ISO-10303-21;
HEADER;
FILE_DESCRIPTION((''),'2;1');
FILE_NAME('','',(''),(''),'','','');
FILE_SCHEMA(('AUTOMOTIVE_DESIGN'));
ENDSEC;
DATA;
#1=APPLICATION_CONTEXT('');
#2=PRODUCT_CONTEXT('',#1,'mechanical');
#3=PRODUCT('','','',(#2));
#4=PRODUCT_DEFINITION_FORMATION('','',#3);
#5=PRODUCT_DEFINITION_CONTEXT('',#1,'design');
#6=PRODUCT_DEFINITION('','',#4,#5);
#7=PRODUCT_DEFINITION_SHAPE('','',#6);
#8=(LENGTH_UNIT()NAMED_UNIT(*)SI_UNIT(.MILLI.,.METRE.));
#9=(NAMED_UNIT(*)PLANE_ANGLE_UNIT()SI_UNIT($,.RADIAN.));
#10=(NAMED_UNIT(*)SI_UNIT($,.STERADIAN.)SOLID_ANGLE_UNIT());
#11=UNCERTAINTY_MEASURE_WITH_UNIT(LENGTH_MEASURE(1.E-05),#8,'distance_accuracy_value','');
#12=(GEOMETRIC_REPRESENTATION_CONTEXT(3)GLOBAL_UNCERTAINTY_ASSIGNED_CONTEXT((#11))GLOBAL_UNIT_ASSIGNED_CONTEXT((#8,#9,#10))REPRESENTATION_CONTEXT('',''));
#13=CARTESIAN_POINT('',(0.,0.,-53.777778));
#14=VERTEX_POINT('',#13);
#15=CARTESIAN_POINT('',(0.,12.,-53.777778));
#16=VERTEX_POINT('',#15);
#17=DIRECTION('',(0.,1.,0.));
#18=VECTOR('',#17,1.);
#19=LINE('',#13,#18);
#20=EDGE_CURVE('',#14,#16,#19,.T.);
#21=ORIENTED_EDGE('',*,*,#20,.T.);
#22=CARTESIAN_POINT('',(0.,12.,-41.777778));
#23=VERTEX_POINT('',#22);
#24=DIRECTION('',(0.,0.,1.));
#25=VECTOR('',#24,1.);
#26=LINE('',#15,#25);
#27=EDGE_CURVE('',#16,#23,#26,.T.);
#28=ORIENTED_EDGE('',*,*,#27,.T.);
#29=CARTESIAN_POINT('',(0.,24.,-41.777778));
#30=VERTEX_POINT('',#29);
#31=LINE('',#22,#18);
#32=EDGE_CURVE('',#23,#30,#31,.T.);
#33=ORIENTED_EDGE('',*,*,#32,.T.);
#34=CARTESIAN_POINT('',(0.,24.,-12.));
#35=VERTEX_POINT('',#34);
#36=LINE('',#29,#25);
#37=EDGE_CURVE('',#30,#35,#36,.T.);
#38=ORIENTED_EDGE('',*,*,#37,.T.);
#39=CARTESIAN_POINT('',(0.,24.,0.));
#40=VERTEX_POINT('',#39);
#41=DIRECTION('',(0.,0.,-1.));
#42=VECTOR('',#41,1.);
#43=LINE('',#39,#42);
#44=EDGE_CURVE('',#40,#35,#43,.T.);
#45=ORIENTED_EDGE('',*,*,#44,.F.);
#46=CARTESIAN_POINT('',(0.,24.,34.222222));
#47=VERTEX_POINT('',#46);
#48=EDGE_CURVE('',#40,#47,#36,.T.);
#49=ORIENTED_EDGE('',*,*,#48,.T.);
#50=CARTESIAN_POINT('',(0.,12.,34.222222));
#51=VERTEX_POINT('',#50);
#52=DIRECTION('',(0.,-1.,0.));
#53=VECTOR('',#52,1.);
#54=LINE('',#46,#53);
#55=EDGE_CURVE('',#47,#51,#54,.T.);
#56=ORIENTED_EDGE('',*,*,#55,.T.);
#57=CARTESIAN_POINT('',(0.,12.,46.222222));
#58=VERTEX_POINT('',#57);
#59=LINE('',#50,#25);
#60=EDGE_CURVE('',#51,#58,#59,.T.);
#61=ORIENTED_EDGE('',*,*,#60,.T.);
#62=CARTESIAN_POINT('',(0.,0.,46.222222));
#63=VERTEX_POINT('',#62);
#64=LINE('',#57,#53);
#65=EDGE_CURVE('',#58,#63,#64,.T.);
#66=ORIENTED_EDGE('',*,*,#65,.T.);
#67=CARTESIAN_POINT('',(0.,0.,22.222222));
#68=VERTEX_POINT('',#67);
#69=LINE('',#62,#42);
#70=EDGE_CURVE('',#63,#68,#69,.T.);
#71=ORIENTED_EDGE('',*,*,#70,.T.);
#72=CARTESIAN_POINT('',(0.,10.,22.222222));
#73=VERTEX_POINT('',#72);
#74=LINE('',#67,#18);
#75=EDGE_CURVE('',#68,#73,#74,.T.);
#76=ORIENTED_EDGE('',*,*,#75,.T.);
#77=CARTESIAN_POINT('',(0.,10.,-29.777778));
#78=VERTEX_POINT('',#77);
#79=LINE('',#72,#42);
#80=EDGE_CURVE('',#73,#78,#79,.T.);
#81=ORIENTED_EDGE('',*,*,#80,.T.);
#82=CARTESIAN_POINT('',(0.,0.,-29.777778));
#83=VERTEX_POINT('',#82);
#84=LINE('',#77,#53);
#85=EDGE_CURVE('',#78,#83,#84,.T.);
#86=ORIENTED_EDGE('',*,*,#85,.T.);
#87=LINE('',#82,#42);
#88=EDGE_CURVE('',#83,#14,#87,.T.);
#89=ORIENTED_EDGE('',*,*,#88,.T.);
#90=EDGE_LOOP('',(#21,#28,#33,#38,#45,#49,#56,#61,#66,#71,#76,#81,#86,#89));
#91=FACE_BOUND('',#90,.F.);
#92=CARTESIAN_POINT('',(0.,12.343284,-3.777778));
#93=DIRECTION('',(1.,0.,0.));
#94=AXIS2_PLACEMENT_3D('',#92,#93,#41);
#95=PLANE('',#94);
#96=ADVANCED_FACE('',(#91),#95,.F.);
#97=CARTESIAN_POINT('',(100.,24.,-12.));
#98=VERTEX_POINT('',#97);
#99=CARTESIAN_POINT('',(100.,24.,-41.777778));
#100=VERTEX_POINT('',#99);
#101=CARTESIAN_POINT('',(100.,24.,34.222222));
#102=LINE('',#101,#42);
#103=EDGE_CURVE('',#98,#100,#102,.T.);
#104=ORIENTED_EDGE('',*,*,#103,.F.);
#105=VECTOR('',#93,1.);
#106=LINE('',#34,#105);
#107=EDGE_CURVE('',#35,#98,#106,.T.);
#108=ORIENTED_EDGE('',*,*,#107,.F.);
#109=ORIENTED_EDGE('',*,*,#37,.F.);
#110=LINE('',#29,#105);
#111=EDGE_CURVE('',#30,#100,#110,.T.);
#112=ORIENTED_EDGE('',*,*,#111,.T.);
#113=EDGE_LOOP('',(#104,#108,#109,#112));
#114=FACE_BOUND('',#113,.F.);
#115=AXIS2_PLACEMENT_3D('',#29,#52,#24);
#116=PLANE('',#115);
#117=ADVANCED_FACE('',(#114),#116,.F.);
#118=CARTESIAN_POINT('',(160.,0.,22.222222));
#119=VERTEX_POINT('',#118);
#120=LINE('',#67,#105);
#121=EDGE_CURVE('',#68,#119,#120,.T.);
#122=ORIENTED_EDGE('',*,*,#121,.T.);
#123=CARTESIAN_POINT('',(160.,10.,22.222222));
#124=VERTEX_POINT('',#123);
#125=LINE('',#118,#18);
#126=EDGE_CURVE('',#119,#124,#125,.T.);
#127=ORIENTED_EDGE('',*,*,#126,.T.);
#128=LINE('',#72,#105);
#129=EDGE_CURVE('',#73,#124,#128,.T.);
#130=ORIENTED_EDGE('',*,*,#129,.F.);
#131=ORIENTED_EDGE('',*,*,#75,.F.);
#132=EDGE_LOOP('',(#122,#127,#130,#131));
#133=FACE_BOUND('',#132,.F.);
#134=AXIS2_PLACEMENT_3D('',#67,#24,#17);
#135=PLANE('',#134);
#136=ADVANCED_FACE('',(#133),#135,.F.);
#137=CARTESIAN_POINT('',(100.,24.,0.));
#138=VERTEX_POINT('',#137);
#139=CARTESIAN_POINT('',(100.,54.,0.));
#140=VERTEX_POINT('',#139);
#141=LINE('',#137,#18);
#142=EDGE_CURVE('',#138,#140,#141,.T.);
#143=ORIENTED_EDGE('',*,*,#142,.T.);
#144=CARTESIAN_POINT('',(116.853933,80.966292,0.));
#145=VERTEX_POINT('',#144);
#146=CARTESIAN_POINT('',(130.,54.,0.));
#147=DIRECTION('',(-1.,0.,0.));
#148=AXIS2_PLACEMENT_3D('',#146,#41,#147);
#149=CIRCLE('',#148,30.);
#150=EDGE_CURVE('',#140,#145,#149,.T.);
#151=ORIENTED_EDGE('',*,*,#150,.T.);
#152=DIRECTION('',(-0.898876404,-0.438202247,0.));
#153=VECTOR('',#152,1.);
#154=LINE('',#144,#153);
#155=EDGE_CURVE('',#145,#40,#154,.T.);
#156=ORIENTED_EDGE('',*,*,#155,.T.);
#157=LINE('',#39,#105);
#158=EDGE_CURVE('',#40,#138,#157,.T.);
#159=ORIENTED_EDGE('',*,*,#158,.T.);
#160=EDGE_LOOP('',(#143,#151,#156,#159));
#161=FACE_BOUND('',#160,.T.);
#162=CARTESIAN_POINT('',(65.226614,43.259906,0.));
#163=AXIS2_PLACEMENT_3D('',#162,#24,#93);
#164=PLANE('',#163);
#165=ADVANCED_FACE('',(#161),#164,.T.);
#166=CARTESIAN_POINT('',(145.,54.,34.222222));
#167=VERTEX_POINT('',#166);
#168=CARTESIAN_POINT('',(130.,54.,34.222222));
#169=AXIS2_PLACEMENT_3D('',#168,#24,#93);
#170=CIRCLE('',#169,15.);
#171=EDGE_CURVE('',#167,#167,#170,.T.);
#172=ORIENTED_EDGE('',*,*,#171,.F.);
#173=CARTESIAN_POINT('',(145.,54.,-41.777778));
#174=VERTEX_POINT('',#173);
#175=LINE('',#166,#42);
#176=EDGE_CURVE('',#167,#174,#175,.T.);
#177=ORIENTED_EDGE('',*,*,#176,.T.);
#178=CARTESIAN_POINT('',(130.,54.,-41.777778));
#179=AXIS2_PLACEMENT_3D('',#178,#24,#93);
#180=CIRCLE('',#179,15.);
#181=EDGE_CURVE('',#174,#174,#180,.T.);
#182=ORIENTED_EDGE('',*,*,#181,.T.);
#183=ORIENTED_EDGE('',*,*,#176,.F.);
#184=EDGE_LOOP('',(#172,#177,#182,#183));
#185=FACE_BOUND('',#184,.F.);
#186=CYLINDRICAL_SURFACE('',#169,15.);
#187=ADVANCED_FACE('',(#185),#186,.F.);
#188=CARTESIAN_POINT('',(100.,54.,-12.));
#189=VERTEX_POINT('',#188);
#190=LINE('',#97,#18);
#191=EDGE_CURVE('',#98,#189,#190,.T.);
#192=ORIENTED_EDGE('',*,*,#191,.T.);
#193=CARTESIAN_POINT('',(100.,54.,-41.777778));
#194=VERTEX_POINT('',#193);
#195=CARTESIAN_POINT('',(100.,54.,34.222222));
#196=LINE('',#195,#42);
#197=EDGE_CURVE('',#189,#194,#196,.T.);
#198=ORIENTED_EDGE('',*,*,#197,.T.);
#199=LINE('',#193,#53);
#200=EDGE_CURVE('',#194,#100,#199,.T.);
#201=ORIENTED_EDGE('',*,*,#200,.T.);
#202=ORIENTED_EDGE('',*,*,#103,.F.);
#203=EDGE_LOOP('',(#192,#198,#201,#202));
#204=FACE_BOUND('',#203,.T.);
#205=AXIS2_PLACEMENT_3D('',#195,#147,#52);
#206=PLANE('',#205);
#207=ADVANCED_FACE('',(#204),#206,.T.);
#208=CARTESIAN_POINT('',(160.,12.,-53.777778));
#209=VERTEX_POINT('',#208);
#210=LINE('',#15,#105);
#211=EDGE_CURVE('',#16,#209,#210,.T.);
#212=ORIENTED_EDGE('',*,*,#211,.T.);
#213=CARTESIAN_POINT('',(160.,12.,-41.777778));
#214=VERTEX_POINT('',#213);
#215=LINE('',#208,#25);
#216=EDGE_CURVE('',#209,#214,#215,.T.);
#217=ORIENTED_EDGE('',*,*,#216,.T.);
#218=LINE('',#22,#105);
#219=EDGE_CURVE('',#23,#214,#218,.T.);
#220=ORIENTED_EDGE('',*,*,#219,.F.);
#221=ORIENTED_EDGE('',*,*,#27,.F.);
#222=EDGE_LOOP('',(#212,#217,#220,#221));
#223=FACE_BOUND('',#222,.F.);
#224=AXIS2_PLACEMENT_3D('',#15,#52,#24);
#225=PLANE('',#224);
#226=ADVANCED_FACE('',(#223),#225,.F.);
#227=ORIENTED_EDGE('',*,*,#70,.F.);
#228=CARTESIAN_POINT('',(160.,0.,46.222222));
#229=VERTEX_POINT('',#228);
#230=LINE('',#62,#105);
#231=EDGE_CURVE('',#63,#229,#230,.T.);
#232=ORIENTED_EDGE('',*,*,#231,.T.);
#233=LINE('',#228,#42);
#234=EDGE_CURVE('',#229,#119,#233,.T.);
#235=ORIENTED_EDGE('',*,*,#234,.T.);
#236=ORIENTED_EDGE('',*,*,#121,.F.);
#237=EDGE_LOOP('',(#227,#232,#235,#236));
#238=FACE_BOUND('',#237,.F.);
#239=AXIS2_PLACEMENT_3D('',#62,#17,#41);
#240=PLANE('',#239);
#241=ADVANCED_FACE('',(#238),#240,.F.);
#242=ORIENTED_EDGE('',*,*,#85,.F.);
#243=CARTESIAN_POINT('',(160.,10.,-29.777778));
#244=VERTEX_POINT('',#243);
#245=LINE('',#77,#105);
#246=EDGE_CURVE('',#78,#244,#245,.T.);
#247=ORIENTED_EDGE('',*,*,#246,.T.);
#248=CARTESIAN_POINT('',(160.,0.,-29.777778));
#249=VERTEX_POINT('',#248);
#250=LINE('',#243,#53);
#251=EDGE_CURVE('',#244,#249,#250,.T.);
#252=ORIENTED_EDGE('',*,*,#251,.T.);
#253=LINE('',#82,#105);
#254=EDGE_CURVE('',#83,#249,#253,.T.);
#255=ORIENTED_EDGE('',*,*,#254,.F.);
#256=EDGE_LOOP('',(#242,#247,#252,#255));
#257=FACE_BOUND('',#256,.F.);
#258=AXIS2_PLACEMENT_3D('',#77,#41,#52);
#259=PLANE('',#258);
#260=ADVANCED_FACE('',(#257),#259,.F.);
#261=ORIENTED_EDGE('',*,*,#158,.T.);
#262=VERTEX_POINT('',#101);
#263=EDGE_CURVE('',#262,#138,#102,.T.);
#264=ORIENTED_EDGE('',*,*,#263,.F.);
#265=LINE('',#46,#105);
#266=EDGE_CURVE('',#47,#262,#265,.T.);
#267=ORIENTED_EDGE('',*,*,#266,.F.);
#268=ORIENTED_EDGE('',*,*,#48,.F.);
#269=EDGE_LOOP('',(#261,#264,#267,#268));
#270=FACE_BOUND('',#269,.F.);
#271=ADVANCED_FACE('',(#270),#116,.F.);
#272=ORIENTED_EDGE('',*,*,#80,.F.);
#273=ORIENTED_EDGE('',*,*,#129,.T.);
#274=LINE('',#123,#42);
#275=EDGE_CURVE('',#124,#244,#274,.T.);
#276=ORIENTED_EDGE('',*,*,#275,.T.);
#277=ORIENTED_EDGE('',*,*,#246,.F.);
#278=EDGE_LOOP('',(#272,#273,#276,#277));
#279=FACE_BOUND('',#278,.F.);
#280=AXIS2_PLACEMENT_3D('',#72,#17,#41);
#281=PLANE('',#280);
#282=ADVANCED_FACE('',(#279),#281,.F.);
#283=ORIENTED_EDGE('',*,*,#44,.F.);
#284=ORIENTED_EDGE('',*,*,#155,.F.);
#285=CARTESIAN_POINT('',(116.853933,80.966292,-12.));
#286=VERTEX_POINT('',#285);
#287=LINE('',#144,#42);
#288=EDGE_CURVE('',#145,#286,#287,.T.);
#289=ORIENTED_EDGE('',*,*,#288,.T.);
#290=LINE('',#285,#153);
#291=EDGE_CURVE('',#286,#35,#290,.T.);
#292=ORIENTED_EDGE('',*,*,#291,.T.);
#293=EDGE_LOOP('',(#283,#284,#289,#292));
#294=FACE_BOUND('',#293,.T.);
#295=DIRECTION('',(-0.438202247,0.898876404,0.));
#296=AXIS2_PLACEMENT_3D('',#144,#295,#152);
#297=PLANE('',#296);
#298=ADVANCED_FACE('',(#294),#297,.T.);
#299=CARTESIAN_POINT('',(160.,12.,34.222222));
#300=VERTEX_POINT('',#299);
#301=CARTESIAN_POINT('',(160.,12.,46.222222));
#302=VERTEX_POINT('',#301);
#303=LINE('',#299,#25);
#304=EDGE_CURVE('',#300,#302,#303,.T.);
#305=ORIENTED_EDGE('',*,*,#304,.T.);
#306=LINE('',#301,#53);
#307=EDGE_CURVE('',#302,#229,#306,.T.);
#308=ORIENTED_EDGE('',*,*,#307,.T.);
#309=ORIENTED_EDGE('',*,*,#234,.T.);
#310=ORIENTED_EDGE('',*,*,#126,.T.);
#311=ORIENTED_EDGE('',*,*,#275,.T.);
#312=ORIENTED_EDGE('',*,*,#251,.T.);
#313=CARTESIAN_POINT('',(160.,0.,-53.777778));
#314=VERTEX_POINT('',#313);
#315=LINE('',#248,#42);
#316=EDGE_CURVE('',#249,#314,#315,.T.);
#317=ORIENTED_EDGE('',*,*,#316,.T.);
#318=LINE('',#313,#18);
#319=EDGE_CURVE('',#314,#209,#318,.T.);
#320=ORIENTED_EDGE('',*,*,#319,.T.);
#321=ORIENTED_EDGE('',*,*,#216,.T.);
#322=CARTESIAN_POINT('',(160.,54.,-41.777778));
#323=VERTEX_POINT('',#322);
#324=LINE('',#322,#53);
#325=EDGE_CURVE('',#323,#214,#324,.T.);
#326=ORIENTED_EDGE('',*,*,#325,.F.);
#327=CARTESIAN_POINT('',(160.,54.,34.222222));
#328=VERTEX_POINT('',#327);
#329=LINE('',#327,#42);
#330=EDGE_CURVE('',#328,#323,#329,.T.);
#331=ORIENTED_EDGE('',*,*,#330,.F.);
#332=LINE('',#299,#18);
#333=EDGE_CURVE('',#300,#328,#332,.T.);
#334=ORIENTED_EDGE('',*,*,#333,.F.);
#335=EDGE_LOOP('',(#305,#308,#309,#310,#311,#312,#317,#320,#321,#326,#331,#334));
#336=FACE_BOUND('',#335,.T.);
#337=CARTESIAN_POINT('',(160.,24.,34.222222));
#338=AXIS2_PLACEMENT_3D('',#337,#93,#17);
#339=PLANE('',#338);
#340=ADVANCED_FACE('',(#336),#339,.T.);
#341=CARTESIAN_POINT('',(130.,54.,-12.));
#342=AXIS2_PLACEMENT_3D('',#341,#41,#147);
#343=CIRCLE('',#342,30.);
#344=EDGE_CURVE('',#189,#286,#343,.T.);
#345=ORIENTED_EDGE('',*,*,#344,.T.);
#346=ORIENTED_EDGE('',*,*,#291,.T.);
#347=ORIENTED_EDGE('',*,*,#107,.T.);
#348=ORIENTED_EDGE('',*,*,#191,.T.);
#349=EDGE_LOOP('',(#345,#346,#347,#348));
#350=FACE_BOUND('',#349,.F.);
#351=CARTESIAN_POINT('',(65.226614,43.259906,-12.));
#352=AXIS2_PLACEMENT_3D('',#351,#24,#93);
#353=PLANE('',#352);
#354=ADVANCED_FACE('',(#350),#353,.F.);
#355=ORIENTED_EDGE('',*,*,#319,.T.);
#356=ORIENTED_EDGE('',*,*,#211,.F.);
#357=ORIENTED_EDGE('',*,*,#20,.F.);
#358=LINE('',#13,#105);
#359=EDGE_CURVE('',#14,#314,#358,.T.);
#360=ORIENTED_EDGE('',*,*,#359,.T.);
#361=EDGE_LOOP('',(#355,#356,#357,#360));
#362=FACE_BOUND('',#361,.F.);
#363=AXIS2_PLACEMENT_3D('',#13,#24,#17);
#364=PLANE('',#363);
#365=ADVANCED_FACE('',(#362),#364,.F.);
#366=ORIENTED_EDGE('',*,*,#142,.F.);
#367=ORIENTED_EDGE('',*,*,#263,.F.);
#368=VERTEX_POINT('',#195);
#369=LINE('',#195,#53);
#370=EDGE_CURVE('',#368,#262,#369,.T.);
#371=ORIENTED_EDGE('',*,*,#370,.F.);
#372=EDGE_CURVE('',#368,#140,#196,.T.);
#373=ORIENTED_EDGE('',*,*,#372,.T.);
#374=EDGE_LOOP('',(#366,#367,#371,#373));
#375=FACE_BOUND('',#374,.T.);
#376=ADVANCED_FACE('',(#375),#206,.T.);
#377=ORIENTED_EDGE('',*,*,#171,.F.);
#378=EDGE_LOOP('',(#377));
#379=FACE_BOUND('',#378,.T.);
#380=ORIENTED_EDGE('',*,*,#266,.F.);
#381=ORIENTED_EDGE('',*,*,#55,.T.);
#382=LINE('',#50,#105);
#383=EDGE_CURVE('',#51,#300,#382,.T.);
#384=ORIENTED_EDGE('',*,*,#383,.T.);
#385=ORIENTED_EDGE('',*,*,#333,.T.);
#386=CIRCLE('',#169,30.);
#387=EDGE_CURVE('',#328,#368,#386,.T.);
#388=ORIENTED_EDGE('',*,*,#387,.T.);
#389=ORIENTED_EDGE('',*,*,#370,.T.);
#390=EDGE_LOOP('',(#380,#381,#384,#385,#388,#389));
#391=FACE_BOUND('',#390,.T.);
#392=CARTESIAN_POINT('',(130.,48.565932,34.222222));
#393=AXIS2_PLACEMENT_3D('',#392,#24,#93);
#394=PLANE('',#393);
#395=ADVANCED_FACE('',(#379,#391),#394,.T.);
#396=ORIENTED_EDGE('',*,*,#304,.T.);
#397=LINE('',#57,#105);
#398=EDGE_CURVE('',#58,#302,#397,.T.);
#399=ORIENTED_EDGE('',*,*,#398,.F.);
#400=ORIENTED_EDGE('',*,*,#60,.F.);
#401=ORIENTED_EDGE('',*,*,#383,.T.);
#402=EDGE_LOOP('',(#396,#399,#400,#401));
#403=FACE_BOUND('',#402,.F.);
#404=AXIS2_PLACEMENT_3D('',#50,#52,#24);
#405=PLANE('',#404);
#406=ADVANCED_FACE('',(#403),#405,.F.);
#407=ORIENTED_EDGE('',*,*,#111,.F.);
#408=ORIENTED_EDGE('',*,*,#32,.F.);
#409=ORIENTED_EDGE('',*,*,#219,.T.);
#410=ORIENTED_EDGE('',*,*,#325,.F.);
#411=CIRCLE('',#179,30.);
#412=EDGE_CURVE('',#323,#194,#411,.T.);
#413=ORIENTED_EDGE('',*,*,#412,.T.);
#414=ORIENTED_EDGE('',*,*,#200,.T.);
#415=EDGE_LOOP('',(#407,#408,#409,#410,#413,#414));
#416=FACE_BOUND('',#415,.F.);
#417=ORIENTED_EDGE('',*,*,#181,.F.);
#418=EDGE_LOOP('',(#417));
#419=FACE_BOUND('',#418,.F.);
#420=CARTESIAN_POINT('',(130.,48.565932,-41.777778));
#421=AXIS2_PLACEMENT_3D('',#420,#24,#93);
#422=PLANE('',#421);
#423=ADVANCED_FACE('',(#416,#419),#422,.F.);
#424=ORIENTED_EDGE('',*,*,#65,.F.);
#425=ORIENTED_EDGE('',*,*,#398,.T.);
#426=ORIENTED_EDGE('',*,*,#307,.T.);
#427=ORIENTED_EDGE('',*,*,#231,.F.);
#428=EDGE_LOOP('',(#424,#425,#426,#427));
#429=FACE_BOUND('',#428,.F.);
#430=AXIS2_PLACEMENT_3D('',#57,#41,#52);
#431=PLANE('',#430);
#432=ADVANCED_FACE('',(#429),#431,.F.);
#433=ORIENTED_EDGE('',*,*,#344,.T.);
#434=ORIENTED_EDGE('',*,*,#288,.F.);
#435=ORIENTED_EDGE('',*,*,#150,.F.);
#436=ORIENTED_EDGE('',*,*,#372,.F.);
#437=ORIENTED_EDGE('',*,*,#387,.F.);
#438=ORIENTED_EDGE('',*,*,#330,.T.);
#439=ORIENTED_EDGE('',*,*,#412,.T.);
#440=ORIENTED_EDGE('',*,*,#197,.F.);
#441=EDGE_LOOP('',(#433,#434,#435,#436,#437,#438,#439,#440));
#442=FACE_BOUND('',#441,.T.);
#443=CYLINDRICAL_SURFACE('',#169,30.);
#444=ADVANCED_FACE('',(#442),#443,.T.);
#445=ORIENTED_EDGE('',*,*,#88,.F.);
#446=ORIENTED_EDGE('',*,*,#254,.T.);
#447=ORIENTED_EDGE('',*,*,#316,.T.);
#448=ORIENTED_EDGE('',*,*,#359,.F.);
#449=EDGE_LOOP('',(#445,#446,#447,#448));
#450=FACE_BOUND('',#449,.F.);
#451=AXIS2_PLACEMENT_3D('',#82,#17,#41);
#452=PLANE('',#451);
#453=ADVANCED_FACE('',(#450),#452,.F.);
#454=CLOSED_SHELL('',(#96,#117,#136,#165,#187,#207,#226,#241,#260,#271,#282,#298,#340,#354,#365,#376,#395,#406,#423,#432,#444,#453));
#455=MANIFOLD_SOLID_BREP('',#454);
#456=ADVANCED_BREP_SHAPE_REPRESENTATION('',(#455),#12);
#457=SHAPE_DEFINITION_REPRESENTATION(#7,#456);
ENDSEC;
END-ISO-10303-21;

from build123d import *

# Parameters (mm, degrees)
BOSS_EXTRUDE1_DEPTH = 160
SKETCH3_R           = 15
BOSS_EXTRUDE2_DEPTH = 76
BOSS_EXTRUDE4_DEPTH = 12


with BuildPart() as part:
    # Sketch2 → Boss-Extrude1 (new body)
    with BuildSketch(Plane(origin=(0, 0, 0), x_dir=(0, 0, -1), z_dir=(1, 0, 0))):
        Polygon((53.777777778, 0), (53.777777778, 12), (41.777777778, 12), (41.777777778, 24), (-34.222222222, 24), (-34.222222222, 12), (-46.222222222, 12), (-46.222222222, 0), (-22.222222222, 0), (-22.222222222, 10), (29.777777778, 10), (29.777777778, 0), align=None)
    extrude(amount=BOSS_EXTRUDE1_DEPTH)

    # Sketch3 → Boss-Extrude2 (add)
    with BuildSketch(Plane.XY.offset(34.222222222)):
        with BuildLine():
            Line((100, 24), (160, 24))
            Line((160, 24), (160, 54))
            ThreePointArc((160, 54), (130, 84), (100, 54))
            Line((100, 54), (100, 24))
        make_face()
        with Locations((130, 54)):
            Circle(SKETCH3_R, mode=Mode.SUBTRACT)
    extrude(amount=-BOSS_EXTRUDE2_DEPTH)

    # Sketch4 → Boss-Extrude4 (add)
    with BuildSketch(Plane.XY):
        with BuildLine():
            Line((116.853932584, 80.966292135), (0, 24))
            Line((0, 24), (100, 24))
            Line((100, 24), (100, 54))
            ThreePointArc((100, 54), (104.56005088, 69.8999682), (116.853932584, 80.966292135))
        make_face()
    extrude(amount=-BOSS_EXTRUDE4_DEPTH)


solid = part.part
